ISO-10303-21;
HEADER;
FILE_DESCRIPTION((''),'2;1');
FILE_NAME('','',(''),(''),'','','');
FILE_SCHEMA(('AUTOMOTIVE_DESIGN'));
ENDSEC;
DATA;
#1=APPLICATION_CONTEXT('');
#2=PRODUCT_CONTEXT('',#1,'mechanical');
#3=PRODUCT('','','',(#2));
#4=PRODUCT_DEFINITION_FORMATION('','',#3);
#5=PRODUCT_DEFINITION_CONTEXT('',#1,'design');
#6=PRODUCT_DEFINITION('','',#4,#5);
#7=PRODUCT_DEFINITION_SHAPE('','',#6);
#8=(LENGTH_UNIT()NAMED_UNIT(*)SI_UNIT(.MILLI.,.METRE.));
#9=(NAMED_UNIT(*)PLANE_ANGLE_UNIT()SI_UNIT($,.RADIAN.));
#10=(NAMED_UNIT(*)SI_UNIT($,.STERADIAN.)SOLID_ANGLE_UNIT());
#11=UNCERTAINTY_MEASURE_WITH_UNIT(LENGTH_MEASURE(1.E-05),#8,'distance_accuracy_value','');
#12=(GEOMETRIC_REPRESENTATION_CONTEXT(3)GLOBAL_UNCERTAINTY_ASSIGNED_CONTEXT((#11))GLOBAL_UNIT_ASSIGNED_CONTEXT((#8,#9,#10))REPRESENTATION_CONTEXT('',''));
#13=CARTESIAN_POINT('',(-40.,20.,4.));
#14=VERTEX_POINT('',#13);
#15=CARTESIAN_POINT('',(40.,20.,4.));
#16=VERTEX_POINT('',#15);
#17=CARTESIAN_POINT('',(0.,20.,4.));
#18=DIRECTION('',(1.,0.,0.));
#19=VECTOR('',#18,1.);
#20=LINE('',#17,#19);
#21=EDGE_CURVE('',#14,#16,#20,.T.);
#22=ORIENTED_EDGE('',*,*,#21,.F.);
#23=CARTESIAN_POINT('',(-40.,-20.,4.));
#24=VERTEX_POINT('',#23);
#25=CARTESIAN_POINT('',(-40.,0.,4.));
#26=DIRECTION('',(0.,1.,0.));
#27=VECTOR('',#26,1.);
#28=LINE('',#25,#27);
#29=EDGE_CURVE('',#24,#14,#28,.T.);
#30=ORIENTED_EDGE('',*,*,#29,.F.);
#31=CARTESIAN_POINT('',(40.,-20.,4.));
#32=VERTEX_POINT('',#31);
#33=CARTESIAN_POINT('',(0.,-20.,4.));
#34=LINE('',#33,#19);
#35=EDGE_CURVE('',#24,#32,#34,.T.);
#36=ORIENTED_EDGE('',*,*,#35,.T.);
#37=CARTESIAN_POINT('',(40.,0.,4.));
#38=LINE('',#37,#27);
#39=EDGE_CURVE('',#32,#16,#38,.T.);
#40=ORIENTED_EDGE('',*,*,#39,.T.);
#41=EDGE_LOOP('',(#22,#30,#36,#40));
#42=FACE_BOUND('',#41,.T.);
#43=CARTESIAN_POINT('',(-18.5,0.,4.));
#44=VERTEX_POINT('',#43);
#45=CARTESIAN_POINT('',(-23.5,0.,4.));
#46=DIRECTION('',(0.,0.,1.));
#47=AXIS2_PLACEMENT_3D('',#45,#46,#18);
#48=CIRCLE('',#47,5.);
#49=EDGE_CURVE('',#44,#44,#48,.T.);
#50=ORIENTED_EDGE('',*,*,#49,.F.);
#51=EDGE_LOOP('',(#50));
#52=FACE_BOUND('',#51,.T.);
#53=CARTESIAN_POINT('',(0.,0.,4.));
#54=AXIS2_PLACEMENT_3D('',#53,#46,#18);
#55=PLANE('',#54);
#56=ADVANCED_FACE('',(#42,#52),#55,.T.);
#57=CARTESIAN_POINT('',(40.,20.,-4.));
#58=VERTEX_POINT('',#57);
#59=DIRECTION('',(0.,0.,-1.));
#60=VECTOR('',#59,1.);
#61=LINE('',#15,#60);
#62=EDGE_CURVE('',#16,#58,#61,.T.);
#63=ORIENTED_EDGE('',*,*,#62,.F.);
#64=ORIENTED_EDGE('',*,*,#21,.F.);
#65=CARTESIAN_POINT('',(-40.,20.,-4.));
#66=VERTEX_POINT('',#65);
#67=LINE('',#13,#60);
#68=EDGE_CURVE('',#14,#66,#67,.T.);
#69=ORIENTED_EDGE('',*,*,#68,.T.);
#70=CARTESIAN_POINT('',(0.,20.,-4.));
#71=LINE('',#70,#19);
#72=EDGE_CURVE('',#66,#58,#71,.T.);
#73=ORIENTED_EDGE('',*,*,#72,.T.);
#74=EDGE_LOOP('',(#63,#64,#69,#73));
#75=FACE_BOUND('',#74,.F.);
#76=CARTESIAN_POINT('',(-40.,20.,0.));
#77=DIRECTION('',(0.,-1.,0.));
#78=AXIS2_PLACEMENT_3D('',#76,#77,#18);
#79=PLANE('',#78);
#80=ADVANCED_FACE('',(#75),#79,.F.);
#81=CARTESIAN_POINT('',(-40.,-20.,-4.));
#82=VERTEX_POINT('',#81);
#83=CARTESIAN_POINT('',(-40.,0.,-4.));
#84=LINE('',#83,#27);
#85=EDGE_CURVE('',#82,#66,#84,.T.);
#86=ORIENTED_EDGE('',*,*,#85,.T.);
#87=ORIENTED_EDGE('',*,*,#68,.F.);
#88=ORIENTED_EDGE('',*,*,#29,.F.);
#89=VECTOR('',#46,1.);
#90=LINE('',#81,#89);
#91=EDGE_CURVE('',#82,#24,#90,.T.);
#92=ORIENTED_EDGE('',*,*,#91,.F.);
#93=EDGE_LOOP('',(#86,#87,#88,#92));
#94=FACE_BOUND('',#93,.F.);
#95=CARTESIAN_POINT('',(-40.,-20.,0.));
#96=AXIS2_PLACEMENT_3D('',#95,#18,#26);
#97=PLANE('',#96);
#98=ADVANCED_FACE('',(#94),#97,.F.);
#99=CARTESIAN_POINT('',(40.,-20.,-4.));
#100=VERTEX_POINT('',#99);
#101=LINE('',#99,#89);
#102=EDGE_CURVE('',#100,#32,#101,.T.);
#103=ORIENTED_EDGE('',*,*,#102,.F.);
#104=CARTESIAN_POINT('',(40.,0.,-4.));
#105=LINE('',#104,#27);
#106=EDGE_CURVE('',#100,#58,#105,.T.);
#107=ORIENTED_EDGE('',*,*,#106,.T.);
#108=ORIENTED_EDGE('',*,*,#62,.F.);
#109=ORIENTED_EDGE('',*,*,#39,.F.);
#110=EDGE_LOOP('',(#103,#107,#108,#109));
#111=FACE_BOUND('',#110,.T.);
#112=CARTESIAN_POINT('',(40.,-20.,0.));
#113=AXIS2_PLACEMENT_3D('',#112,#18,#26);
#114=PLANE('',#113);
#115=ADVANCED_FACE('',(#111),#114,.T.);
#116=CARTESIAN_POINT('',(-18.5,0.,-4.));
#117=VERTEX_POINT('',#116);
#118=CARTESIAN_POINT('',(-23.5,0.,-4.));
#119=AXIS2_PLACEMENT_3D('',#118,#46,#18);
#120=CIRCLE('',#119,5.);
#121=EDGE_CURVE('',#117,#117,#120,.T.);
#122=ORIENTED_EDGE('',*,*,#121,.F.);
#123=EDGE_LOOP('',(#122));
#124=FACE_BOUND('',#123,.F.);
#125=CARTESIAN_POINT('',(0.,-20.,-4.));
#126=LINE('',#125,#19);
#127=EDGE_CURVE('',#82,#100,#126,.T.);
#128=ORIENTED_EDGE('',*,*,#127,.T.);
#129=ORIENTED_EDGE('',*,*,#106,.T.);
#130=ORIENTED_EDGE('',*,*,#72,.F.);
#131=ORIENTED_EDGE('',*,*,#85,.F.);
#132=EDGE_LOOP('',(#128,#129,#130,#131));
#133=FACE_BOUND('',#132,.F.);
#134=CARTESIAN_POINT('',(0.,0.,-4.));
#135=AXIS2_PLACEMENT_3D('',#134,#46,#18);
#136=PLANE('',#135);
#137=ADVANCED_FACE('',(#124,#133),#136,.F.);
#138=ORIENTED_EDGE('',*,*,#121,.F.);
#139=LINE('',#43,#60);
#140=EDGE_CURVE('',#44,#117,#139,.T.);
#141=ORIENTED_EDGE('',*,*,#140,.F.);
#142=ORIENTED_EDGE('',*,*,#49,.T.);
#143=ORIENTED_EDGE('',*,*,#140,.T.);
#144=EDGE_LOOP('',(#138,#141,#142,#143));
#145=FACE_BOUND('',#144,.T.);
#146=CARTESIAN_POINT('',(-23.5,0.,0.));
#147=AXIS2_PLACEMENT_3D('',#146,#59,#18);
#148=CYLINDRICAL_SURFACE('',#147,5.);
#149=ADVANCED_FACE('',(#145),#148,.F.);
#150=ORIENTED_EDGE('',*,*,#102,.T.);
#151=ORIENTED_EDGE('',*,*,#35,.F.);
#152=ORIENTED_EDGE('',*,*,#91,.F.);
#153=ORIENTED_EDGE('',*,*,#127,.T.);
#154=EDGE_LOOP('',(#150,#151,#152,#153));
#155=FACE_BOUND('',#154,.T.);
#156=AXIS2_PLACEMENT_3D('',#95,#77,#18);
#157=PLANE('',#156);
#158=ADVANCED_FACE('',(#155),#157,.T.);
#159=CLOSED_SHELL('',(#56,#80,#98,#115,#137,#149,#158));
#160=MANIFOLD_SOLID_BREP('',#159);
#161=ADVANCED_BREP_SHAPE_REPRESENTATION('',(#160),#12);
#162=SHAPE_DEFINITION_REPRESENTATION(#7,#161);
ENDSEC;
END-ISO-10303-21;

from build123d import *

# Parameters (mm, degrees)
F0_W     = 80
F0_H     = 40
F0_R     = 5
F1_DEPTH = 4


with BuildPart() as f1:
    # F0 (on Top) → F1 (new body, symmetric)
    with BuildSketch(Plane.XY):
        Rectangle(F0_W, F0_H)
        with Locations((-23.5, 0)):
            Circle(F0_R, mode=Mode.SUBTRACT)
    extrude(amount=F1_DEPTH, both=True)


solid = f1.part
